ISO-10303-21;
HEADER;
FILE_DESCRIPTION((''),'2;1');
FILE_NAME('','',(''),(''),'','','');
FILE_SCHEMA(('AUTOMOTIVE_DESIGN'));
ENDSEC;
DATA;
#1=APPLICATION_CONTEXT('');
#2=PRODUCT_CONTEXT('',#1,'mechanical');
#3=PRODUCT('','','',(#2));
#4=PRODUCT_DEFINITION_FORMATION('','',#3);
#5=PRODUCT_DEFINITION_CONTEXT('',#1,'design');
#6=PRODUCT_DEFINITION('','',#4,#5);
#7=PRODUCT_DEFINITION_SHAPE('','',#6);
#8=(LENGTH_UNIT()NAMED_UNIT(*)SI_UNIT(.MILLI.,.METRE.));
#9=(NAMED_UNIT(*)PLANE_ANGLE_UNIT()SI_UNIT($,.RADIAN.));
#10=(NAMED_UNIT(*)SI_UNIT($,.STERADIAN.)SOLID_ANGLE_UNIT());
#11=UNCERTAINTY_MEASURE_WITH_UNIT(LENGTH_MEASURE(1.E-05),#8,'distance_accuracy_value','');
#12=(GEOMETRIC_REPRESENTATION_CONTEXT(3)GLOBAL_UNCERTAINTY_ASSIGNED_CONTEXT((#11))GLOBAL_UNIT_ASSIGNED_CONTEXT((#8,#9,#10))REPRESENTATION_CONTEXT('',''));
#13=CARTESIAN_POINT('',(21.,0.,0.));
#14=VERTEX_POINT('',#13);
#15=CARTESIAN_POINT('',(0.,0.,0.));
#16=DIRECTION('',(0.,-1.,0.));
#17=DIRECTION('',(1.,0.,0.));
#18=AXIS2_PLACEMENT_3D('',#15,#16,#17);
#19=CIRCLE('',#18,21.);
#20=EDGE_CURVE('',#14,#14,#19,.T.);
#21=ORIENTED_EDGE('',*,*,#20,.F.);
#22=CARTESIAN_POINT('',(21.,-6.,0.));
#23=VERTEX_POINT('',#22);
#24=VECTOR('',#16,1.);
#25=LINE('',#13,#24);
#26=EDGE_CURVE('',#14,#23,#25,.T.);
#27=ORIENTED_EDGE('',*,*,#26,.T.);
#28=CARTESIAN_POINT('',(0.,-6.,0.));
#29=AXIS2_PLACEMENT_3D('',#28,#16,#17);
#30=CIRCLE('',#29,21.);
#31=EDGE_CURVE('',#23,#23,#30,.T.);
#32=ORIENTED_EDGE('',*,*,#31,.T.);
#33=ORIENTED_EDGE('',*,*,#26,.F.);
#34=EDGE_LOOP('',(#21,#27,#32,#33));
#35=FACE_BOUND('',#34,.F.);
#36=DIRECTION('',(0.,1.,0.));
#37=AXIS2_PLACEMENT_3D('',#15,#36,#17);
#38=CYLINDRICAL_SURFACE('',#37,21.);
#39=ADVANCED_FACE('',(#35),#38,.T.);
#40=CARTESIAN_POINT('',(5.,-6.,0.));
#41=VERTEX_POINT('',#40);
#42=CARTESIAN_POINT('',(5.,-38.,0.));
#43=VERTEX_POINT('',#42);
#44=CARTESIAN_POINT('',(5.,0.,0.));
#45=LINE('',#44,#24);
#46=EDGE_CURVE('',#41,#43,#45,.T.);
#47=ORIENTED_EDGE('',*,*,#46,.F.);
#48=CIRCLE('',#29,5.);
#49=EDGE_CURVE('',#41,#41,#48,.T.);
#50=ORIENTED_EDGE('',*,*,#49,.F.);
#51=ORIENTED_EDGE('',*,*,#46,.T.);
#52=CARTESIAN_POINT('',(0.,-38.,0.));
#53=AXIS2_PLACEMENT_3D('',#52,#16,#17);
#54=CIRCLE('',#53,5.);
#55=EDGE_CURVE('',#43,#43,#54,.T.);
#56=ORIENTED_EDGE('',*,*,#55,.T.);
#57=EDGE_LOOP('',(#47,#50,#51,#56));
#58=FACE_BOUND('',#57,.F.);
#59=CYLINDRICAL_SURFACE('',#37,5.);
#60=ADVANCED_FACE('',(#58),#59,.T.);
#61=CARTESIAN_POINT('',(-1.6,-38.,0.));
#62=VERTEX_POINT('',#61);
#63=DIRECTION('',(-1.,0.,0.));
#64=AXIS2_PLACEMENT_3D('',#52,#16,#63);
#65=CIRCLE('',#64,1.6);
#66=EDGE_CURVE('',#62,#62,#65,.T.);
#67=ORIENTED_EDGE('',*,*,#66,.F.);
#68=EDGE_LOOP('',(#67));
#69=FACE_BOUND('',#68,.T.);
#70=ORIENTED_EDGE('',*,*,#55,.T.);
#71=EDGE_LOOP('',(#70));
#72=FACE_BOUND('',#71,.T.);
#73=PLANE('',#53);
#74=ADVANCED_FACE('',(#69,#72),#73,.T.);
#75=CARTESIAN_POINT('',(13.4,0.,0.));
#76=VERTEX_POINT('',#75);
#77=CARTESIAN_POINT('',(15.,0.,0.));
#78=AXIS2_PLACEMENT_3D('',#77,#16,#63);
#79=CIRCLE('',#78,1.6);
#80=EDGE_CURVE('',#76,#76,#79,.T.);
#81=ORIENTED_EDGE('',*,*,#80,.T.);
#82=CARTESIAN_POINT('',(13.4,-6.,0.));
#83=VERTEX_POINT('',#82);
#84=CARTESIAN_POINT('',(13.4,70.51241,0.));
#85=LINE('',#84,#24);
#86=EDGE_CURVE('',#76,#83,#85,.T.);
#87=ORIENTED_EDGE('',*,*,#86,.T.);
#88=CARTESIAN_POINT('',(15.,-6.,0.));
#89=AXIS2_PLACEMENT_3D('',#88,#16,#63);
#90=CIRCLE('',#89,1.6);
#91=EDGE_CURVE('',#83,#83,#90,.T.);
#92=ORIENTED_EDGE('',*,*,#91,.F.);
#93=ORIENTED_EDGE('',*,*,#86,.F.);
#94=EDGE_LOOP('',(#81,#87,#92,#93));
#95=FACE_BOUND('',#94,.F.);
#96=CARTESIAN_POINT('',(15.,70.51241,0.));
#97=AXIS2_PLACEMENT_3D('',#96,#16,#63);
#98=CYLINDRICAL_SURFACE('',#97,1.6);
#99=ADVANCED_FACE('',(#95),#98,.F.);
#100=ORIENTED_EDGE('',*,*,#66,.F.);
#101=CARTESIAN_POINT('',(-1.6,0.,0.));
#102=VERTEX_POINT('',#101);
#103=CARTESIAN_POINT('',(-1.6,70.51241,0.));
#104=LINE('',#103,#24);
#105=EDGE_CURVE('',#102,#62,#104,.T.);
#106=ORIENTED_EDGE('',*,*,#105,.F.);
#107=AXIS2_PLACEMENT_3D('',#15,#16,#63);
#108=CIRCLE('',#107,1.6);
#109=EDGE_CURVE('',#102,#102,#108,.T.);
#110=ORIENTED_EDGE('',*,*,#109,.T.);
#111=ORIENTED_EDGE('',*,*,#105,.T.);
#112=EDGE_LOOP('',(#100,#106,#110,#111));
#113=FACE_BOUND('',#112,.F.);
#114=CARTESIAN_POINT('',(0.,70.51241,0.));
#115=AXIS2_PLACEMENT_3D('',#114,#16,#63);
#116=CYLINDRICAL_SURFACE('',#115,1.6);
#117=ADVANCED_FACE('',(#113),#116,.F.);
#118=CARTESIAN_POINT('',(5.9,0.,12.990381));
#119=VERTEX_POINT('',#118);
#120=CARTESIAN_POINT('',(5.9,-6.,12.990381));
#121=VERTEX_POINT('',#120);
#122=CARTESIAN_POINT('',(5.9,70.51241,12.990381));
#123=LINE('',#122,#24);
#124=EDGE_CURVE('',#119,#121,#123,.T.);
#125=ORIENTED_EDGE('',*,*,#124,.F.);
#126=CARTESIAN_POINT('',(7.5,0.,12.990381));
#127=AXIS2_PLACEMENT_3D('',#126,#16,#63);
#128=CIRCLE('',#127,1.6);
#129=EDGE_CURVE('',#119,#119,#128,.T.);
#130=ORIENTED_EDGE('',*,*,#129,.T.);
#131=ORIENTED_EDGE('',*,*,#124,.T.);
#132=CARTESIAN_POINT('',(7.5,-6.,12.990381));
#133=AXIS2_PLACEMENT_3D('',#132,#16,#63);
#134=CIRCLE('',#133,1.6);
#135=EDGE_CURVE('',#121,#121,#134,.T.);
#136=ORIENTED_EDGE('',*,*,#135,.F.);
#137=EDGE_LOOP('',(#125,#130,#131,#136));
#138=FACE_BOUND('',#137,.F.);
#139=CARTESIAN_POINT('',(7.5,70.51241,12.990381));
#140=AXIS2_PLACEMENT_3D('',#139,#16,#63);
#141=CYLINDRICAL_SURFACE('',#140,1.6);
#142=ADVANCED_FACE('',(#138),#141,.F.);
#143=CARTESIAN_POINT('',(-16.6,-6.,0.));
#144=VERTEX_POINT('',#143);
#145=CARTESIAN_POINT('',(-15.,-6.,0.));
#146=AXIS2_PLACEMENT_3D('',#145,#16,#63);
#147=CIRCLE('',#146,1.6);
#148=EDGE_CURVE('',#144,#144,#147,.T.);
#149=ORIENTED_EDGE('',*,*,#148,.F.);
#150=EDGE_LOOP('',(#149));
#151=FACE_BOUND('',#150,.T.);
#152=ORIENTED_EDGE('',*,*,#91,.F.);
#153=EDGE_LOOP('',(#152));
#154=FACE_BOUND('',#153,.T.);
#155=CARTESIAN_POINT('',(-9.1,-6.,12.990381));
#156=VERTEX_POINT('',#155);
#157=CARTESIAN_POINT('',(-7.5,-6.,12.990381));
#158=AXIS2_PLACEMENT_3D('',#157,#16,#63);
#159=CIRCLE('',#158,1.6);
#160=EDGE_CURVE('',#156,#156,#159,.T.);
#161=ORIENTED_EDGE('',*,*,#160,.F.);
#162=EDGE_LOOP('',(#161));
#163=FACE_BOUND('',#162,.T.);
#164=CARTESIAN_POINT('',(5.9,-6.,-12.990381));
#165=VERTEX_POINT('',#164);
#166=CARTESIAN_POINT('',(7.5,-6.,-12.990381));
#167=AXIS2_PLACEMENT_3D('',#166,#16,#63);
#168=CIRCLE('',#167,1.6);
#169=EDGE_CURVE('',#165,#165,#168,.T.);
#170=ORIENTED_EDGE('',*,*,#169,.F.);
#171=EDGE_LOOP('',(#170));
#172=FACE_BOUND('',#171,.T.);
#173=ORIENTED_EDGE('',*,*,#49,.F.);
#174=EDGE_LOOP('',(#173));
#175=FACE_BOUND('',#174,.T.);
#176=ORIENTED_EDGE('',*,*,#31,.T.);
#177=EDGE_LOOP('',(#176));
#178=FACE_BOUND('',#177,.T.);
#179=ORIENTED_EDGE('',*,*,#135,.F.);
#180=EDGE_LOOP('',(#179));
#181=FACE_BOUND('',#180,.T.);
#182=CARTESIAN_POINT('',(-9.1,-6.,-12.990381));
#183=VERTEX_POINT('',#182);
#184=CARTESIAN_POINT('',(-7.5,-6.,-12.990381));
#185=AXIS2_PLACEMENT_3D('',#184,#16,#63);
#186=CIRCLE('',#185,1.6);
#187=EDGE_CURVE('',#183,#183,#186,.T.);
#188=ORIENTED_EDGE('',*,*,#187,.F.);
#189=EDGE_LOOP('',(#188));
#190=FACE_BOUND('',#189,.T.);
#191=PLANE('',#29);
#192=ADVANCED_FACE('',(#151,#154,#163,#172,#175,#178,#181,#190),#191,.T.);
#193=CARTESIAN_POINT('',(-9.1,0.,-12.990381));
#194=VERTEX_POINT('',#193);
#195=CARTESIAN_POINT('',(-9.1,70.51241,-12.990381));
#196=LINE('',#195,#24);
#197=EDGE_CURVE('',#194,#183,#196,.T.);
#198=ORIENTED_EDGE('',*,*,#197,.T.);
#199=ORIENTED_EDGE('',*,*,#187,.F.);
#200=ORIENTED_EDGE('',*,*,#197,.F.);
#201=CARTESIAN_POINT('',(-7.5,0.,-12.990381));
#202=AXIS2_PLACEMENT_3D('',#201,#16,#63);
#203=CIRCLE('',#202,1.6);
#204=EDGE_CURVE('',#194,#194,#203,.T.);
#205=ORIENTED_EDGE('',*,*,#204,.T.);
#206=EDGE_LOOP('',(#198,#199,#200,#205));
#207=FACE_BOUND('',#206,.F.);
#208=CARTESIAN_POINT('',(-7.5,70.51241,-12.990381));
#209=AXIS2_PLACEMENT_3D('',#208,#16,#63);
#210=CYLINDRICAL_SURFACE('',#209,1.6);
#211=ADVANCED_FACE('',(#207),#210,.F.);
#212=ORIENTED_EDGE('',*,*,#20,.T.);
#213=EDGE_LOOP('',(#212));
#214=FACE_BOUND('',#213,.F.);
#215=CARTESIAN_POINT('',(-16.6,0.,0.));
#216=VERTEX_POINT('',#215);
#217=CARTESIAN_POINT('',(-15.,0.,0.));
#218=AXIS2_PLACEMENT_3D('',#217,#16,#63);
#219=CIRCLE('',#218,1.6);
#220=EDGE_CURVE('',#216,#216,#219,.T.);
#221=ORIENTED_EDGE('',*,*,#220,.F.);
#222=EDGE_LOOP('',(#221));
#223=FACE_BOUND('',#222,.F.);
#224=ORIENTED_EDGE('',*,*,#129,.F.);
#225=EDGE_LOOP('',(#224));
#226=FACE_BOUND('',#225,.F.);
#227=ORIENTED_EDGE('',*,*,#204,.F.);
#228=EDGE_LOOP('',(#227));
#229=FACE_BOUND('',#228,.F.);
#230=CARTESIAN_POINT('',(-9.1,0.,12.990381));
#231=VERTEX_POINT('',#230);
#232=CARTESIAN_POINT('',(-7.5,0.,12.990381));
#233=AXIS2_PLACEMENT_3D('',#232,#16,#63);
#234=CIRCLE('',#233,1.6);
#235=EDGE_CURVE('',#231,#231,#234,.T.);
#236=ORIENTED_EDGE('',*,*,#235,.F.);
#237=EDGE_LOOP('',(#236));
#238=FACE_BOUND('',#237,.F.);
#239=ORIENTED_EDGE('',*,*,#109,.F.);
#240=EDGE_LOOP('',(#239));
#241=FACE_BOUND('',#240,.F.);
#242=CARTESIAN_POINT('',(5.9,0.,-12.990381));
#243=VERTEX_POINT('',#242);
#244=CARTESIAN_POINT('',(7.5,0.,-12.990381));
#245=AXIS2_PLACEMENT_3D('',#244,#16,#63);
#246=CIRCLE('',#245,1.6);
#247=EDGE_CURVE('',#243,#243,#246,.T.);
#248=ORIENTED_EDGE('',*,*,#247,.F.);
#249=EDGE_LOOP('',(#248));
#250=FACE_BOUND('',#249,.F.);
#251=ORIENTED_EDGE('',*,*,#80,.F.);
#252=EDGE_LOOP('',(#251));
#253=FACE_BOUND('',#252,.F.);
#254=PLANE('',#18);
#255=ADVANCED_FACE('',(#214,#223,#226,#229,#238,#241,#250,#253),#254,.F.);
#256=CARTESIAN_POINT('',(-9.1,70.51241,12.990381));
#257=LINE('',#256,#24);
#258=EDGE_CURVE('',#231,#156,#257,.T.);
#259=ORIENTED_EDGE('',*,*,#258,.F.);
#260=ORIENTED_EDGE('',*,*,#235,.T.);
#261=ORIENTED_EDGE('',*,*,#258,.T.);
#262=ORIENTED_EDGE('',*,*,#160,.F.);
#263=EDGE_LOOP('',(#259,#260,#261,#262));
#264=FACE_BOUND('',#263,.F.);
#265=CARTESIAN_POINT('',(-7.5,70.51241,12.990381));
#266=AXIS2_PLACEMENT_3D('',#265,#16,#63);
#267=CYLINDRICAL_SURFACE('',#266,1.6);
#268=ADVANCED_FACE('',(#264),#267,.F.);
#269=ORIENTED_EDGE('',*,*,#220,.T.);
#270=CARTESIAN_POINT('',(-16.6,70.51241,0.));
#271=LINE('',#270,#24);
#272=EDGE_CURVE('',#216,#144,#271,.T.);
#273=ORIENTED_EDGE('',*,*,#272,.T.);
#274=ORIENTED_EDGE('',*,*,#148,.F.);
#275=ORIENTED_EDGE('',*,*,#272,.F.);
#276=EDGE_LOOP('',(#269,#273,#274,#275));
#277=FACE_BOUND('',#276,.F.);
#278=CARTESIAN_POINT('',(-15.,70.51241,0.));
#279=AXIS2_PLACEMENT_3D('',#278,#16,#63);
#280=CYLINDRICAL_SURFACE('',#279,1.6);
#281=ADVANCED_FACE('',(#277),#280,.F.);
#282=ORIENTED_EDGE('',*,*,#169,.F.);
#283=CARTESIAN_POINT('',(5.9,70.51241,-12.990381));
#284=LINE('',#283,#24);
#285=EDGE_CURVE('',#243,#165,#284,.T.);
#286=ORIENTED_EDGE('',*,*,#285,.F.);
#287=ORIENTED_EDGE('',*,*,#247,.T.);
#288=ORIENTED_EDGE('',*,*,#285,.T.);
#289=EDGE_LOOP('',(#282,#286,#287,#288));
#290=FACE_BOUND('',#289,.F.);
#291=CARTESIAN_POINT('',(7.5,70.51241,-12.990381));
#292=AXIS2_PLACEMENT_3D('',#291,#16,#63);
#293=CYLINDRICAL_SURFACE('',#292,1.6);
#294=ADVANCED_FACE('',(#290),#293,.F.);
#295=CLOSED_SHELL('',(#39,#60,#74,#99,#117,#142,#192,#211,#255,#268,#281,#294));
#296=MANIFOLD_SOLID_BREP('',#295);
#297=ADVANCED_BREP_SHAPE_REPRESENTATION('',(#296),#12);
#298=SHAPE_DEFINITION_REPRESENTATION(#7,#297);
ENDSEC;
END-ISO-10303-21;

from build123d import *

# Parameters (mm, degrees)
F0_R     = 21
F0_R_2   = 2
F0_R_3   = 5
F1_DEPTH = 6
F2_DEPTH = 38
F3_D     = 3.2


with BuildPart() as f1:
    # F0 (on Front) → F1 (new body)
    with BuildSketch(Plane.XZ):
        Circle(F0_R)
        with Locations((-7.5, -12.9903810568)):
            Circle(F0_R_2, mode=Mode.SUBTRACT)
        with Locations((7.5, -12.9903810568)):
            Circle(F0_R_2, mode=Mode.SUBTRACT)
        with Locations((-15, 0)):
            Circle(F0_R_2, mode=Mode.SUBTRACT)
        with Locations((-7.5, 12.9903810568)):
            Circle(F0_R_2, mode=Mode.SUBTRACT)
        Circle(F0_R_3, mode=Mode.SUBTRACT)
        with Locations((15, 0)):
            Circle(F0_R_2, mode=Mode.SUBTRACT)
        with Locations((7.5, 12.9903810568)):
            Circle(F0_R_2, mode=Mode.SUBTRACT)
        with Locations((-15, 0)):
            Circle(F0_R_2)
        with Locations((-7.5, 12.9903810568)):
            Circle(F0_R_2)
        with Locations((7.5, 12.9903810568)):
            Circle(F0_R_2)
        with Locations((15, 0)):
            Circle(F0_R_2)
        with Locations((7.5, -12.9903810568)):
            Circle(F0_R_2)
        with Locations((-7.5, -12.9903810568)):
            Circle(F0_R_2)
    extrude(amount=F1_DEPTH)

    # F0 (on Front) → F2 (join)
    with BuildSketch(Plane.XZ):
        Circle(F0_R_3)
        Circle(F0_R_2, mode=Mode.SUBTRACT)
        Circle(F0_R_2)
    extrude(amount=F2_DEPTH)

    # F3 (through all)
    with Locations(Plane(origin=(0, 0, 0), x_dir=(1, 0, 0), z_dir=(0, 1, 0))):
        with Locations((-15, 0), (-7.5, -12.9903810568), (7.5, -12.9903810568), (15, 0), (7.5, 12.9903810568), (-7.5, 12.9903810568), (0, 0)):
            Hole(F3_D / 2)


solid = f1.part
